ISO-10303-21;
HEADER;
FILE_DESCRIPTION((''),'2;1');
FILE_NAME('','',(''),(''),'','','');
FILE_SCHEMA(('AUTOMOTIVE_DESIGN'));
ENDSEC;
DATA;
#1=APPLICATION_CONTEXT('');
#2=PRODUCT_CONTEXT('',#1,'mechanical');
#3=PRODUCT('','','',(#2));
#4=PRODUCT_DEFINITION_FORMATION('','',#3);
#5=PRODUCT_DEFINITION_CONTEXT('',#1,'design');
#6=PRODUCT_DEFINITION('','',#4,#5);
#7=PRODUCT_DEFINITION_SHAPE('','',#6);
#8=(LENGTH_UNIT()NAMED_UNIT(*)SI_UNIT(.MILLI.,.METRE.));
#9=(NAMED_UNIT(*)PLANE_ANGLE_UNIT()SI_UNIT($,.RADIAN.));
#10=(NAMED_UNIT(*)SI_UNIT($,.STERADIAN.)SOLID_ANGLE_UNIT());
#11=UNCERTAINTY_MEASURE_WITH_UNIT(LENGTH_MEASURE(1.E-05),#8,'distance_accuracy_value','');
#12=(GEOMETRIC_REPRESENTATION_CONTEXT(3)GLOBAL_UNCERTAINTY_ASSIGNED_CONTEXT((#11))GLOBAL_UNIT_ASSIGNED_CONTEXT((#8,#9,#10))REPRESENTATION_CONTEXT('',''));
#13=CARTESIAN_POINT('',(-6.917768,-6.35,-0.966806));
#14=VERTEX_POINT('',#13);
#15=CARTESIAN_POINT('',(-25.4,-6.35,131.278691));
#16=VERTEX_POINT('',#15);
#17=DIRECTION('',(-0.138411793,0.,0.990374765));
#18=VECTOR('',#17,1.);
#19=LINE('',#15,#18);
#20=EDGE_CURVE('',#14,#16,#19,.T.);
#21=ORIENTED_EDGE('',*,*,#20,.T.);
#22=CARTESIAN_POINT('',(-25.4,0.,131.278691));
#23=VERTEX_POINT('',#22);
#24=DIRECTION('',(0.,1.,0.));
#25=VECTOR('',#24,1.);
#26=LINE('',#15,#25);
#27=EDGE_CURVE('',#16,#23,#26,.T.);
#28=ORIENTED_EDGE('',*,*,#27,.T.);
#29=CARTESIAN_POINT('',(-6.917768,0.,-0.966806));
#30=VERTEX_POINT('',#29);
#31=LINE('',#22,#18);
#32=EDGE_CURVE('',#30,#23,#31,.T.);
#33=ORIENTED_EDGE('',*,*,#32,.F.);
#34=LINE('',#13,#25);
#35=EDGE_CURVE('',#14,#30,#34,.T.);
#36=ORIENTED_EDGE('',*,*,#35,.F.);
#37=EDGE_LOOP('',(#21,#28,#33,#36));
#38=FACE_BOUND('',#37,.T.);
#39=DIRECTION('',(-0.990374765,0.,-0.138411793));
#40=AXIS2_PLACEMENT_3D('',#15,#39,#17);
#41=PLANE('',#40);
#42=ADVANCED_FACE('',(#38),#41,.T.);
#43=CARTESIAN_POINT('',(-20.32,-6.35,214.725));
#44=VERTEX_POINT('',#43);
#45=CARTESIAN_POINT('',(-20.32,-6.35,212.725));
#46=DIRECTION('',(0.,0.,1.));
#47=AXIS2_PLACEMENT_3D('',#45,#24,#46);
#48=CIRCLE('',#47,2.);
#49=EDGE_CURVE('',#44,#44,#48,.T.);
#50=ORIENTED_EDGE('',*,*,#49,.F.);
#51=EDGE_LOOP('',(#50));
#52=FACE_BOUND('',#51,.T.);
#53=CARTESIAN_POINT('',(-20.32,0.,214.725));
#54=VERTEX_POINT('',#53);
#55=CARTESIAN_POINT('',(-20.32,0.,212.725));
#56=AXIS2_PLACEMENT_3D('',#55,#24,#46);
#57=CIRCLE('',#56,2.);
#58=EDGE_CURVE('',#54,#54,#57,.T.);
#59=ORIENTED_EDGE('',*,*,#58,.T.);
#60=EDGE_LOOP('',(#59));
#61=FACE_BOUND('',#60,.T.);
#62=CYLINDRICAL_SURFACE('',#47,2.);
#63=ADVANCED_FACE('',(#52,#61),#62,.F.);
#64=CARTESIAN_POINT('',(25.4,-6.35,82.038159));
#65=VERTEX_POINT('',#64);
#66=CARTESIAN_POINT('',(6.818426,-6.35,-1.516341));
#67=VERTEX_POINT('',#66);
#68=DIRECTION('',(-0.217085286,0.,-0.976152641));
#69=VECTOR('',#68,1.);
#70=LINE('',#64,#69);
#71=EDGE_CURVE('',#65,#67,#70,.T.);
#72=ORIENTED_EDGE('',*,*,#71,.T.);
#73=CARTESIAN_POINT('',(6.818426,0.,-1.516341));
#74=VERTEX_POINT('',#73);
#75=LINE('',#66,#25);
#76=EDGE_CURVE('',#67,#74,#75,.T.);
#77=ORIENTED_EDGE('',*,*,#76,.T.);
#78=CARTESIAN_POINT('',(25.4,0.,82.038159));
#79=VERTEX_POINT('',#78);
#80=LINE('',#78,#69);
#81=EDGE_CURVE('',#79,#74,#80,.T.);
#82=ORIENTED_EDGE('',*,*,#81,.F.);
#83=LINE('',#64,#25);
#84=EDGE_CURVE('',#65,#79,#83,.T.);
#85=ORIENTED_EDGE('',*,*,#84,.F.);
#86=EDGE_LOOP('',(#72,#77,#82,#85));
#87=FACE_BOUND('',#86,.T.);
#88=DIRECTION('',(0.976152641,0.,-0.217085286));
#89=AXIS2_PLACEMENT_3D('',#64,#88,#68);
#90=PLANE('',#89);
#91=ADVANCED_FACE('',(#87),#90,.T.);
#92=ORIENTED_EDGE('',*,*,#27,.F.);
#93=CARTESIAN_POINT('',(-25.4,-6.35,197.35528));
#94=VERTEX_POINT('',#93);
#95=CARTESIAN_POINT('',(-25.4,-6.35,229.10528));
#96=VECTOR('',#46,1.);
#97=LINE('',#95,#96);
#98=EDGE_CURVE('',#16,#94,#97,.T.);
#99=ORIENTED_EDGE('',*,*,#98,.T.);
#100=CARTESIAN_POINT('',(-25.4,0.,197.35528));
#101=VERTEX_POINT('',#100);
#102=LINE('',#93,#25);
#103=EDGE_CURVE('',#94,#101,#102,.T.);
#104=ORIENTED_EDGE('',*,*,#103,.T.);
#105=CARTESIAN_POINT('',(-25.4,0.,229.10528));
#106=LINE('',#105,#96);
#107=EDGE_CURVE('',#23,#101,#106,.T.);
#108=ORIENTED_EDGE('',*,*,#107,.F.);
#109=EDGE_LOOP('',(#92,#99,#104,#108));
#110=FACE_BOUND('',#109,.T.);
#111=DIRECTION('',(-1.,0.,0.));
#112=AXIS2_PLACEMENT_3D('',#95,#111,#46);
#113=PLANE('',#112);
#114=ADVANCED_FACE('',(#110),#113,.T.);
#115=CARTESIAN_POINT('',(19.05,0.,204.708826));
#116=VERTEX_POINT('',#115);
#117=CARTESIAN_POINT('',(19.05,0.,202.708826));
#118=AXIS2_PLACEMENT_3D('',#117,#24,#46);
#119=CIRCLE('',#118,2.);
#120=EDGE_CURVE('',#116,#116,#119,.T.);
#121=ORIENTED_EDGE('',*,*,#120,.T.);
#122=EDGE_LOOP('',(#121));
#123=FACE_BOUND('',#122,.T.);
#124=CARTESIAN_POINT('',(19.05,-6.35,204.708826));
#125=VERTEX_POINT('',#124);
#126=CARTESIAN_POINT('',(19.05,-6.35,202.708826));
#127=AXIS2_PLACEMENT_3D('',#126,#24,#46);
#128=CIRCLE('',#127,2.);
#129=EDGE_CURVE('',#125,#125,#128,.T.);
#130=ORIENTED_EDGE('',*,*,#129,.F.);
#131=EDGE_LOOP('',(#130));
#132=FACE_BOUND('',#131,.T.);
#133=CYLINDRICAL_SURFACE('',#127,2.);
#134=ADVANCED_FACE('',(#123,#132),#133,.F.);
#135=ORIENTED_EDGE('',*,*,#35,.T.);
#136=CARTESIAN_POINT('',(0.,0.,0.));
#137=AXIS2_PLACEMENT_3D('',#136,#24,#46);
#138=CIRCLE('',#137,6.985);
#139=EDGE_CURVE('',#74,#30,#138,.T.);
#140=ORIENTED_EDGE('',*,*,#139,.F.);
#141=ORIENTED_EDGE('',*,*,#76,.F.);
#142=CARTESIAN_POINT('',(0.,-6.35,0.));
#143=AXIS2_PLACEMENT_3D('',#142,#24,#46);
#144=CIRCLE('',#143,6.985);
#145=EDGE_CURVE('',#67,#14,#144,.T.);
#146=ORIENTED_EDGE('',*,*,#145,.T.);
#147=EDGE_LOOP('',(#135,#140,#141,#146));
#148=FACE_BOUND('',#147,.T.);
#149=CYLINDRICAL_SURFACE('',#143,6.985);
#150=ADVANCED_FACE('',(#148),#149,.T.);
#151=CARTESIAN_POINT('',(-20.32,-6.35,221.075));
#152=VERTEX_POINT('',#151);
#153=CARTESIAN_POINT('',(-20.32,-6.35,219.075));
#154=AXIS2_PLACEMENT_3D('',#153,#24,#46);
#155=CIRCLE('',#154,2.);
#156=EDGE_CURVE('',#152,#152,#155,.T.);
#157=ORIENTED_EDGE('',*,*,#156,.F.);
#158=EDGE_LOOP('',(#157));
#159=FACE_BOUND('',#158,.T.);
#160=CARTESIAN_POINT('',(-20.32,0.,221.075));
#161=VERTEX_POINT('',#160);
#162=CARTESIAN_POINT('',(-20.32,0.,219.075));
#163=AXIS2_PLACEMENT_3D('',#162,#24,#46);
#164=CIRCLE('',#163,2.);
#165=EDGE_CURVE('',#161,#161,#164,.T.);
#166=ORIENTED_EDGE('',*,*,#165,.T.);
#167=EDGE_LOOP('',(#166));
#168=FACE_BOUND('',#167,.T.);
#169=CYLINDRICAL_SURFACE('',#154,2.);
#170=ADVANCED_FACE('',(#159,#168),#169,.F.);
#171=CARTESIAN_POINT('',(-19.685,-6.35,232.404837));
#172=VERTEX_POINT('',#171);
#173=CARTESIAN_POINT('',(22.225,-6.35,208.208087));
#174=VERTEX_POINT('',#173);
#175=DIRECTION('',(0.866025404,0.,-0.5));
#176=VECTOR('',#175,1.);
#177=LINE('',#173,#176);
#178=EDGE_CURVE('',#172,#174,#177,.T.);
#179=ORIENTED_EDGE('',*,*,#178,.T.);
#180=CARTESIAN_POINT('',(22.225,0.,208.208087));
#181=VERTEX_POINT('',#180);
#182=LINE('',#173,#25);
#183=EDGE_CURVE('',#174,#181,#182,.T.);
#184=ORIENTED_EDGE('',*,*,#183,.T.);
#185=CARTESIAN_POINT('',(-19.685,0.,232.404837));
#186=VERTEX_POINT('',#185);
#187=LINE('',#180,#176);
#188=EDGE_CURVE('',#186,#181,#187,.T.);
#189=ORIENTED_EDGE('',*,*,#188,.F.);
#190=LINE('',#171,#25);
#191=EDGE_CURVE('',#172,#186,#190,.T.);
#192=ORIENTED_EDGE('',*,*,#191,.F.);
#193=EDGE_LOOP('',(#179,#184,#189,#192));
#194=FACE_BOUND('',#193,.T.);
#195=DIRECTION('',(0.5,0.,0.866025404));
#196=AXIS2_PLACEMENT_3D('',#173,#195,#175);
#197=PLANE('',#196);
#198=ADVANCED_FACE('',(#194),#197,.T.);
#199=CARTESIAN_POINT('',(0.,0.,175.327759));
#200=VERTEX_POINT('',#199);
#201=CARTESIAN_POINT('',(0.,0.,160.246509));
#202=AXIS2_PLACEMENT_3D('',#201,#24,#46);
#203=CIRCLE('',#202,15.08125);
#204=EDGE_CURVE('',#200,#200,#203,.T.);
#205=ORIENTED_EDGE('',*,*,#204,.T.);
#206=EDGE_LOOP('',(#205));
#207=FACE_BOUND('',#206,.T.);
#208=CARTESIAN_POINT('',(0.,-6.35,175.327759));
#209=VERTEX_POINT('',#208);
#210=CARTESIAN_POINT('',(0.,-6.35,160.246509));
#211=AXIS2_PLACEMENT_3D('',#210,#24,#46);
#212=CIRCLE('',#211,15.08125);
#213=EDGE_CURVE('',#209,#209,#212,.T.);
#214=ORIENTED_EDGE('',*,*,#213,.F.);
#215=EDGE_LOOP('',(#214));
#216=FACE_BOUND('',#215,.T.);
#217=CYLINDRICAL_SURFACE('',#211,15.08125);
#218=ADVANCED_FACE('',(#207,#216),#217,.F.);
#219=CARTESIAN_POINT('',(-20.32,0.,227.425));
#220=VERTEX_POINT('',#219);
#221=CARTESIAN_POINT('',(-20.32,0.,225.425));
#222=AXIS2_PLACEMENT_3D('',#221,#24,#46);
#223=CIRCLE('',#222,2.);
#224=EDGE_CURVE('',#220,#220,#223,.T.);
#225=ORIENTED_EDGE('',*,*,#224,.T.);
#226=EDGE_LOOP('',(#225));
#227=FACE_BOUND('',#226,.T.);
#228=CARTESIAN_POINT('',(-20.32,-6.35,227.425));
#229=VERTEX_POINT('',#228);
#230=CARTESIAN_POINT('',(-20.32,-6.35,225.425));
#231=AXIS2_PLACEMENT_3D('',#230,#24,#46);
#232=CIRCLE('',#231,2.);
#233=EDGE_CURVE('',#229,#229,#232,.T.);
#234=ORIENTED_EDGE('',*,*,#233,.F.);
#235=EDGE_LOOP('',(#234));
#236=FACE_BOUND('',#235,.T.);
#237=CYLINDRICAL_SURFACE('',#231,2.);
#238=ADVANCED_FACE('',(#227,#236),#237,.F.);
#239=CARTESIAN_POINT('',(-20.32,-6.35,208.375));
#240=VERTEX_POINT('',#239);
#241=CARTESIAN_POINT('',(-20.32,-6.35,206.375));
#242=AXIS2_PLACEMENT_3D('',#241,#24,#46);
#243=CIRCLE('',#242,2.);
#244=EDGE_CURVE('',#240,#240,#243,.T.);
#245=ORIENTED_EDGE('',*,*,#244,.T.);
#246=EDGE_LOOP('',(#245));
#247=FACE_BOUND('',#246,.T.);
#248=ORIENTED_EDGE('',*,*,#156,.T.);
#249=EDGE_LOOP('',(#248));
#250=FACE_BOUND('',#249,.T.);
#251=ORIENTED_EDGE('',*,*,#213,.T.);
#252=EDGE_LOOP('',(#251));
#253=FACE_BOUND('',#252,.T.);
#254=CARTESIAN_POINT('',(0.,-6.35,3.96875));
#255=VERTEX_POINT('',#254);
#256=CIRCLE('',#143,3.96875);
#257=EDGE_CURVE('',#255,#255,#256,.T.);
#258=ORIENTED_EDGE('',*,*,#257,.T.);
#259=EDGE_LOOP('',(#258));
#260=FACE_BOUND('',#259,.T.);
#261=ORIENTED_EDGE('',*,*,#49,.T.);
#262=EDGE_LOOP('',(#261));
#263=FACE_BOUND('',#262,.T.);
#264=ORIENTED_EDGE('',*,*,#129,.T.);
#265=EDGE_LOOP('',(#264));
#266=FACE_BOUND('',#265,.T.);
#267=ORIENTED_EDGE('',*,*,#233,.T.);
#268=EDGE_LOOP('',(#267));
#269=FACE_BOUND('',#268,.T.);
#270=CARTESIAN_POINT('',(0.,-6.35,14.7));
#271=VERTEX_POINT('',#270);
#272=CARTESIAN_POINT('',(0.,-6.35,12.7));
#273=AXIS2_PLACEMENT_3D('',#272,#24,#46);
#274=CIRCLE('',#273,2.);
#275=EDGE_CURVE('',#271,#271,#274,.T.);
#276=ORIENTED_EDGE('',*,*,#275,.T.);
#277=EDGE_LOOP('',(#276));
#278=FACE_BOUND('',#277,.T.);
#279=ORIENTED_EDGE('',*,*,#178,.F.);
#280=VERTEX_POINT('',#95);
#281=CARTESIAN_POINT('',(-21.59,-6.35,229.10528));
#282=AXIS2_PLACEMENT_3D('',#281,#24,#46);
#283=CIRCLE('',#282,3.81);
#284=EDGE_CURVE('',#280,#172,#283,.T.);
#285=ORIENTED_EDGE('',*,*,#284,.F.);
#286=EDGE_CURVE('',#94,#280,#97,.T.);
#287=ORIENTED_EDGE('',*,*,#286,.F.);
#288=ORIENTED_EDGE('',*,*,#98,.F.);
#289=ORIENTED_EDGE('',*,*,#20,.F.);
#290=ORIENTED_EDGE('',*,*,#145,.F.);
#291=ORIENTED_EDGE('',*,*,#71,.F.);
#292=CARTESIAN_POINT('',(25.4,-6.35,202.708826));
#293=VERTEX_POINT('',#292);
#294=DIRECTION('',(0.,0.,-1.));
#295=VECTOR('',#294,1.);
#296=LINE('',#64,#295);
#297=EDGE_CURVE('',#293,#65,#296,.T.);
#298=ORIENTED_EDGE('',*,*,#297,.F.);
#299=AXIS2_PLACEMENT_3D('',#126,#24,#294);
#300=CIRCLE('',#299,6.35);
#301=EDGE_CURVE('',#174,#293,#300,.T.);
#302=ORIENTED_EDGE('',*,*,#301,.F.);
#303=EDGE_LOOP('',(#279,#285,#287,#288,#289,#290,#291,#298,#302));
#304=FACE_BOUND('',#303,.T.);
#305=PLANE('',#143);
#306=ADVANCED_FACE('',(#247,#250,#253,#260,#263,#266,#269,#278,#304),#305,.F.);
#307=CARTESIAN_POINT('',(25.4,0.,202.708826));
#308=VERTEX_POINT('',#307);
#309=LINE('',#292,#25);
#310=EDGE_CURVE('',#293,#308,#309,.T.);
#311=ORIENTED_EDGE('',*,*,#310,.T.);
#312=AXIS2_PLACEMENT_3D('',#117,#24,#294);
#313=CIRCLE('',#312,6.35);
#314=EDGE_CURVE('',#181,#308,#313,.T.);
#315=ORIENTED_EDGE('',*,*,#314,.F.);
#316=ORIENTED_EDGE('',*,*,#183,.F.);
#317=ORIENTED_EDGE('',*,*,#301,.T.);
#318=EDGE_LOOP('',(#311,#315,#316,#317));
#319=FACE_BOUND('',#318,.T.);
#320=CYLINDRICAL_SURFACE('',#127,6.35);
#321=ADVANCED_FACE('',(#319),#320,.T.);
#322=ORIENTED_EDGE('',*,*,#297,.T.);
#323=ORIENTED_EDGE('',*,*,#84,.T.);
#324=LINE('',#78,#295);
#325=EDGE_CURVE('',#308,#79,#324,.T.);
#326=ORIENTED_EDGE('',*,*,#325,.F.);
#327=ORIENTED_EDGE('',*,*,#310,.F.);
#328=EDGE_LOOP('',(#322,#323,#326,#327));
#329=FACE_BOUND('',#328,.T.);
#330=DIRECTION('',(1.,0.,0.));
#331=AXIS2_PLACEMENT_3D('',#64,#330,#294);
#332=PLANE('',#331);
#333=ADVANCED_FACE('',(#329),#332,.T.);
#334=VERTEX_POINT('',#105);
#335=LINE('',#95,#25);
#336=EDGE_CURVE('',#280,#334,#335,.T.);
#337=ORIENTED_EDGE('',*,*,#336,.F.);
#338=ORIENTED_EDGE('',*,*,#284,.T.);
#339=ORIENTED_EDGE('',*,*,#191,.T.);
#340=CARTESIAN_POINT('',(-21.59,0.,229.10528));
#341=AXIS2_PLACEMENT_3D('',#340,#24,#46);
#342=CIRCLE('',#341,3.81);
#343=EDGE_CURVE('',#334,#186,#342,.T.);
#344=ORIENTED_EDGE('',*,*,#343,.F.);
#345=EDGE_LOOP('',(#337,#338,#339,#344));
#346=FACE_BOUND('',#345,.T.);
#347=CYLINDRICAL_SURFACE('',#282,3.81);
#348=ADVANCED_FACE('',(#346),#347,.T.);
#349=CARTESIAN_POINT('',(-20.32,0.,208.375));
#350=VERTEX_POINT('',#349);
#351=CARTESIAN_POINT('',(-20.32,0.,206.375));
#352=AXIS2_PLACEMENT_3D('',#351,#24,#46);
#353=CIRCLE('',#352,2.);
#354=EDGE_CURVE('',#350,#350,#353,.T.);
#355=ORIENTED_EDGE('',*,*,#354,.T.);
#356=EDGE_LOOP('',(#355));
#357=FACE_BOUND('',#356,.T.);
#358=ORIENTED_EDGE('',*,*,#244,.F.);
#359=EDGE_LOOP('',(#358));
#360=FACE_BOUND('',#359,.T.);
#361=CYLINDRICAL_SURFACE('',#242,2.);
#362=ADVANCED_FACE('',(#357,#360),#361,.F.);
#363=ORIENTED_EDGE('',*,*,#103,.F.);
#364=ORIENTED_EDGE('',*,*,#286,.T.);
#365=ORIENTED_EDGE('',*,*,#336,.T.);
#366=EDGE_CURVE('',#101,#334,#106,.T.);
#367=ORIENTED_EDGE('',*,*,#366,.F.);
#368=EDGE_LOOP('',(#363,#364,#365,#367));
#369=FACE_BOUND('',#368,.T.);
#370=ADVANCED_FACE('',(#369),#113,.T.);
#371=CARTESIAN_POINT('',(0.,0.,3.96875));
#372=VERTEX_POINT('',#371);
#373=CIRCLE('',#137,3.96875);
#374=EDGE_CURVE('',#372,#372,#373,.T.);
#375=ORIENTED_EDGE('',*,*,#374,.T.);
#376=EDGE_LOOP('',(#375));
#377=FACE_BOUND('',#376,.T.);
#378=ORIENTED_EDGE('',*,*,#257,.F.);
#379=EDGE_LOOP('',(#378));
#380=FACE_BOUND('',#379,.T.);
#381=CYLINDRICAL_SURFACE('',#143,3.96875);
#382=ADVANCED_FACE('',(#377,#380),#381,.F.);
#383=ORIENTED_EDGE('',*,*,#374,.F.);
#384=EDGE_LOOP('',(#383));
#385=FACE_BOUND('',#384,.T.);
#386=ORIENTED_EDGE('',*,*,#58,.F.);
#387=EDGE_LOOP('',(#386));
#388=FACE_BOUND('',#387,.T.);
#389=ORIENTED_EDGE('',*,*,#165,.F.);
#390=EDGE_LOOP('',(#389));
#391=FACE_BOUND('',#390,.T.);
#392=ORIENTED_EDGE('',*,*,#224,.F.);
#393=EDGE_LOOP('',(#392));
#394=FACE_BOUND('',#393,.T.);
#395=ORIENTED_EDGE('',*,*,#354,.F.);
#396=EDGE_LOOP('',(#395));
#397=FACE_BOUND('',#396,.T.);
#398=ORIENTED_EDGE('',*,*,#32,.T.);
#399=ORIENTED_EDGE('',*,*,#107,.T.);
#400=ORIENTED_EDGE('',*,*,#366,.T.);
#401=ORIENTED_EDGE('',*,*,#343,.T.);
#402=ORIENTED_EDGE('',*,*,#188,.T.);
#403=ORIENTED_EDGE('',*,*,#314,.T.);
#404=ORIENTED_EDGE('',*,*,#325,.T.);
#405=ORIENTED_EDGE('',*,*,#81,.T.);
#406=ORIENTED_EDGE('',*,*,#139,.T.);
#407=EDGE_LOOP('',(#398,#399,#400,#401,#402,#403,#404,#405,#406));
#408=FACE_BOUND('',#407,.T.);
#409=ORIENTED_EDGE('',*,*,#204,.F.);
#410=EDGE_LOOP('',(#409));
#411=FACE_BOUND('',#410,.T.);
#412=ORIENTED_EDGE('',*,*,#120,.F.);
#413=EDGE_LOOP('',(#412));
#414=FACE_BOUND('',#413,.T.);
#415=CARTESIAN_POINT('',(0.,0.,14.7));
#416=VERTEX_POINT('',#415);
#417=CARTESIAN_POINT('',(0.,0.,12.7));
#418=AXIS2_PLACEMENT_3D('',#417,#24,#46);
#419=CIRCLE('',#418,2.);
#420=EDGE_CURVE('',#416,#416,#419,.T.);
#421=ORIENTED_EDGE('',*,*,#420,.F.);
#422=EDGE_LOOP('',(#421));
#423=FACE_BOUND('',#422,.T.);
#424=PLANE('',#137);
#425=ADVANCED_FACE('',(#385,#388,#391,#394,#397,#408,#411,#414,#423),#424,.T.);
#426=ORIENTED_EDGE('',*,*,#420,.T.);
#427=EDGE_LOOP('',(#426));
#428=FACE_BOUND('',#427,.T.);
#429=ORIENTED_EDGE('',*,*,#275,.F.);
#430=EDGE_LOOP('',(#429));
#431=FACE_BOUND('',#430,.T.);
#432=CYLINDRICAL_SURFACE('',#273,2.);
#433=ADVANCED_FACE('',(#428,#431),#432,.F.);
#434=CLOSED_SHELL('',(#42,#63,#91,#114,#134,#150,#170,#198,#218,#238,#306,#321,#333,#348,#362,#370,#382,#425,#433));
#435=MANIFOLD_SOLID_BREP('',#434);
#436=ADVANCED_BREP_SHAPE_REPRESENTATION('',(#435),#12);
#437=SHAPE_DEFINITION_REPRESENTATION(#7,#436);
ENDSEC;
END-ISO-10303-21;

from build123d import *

# Parameters (mm, degrees)
SKETCH1_R           = 3.96875
SKETCH1_R_2         = 15.08125
SKETCH1_R_3         = 2
BOSS_EXTRUDE1_DEPTH = 6.35


with BuildPart() as part:
    # Sketch1 → Boss-Extrude1 (new body)
    with BuildSketch(Plane(origin=(0, 0, 0), x_dir=(1, 0, 0), z_dir=(0, 1, 0))):
        with BuildLine():
            Line((25.4, -82.038158574), (25.4, -202.708825791))
            ThreePointArc((25.4, -202.708825791), (24.549261314, -205.883825791), (22.225, -208.208087105))
            Line((22.225, -208.208087105), (-19.685, -232.404836886))
            ThreePointArc((-19.685, -232.404836886), (-23.495, -232.404836886), (-25.4, -229.105280098))
            Line((-25.4, -229.105280098), (-25.4, -131.278691098))
            Line((-25.4, -131.278691098), (-6.917767735, 0.966806375))
            ThreePointArc((-6.917767735, 0.966806375), (-0.279220673, 6.97941694), (6.818426198, 1.51634072))
            Line((6.818426198, 1.51634072), (25.4, -82.038158574))
        make_face()
        with Locations(Location((0, 0, 0), (0, 0, 270))):
            Circle(SKETCH1_R, mode=Mode.SUBTRACT)
        with Locations(Location((0, -160.246508934, 0), (0, 0, 270))):
            Circle(SKETCH1_R_2, mode=Mode.SUBTRACT)
        with Locations(Location((-20.32, -225.425, 0), (0, 0, 270))):
            Circle(SKETCH1_R_3, mode=Mode.SUBTRACT)
        with Locations(Location((-20.32, -219.075, 0), (0, 0, 270))):
            Circle(SKETCH1_R_3, mode=Mode.SUBTRACT)
        with Locations(Location((-20.32, -212.725, 0), (0, 0, 270))):
            Circle(SKETCH1_R_3, mode=Mode.SUBTRACT)
        with Locations(Location((-20.32, -206.375, 0), (0, 0, 270))):
            Circle(SKETCH1_R_3, mode=Mode.SUBTRACT)
        with Locations(Location((0, -12.7, 0), (0, 0, 270))):
            Circle(SKETCH1_R_3, mode=Mode.SUBTRACT)
        with Locations(Location((19.05, -202.708825791, 0), (0, 0, 270))):
            Circle(SKETCH1_R_3, mode=Mode.SUBTRACT)
    extrude(amount=-BOSS_EXTRUDE1_DEPTH)


solid = part.part
